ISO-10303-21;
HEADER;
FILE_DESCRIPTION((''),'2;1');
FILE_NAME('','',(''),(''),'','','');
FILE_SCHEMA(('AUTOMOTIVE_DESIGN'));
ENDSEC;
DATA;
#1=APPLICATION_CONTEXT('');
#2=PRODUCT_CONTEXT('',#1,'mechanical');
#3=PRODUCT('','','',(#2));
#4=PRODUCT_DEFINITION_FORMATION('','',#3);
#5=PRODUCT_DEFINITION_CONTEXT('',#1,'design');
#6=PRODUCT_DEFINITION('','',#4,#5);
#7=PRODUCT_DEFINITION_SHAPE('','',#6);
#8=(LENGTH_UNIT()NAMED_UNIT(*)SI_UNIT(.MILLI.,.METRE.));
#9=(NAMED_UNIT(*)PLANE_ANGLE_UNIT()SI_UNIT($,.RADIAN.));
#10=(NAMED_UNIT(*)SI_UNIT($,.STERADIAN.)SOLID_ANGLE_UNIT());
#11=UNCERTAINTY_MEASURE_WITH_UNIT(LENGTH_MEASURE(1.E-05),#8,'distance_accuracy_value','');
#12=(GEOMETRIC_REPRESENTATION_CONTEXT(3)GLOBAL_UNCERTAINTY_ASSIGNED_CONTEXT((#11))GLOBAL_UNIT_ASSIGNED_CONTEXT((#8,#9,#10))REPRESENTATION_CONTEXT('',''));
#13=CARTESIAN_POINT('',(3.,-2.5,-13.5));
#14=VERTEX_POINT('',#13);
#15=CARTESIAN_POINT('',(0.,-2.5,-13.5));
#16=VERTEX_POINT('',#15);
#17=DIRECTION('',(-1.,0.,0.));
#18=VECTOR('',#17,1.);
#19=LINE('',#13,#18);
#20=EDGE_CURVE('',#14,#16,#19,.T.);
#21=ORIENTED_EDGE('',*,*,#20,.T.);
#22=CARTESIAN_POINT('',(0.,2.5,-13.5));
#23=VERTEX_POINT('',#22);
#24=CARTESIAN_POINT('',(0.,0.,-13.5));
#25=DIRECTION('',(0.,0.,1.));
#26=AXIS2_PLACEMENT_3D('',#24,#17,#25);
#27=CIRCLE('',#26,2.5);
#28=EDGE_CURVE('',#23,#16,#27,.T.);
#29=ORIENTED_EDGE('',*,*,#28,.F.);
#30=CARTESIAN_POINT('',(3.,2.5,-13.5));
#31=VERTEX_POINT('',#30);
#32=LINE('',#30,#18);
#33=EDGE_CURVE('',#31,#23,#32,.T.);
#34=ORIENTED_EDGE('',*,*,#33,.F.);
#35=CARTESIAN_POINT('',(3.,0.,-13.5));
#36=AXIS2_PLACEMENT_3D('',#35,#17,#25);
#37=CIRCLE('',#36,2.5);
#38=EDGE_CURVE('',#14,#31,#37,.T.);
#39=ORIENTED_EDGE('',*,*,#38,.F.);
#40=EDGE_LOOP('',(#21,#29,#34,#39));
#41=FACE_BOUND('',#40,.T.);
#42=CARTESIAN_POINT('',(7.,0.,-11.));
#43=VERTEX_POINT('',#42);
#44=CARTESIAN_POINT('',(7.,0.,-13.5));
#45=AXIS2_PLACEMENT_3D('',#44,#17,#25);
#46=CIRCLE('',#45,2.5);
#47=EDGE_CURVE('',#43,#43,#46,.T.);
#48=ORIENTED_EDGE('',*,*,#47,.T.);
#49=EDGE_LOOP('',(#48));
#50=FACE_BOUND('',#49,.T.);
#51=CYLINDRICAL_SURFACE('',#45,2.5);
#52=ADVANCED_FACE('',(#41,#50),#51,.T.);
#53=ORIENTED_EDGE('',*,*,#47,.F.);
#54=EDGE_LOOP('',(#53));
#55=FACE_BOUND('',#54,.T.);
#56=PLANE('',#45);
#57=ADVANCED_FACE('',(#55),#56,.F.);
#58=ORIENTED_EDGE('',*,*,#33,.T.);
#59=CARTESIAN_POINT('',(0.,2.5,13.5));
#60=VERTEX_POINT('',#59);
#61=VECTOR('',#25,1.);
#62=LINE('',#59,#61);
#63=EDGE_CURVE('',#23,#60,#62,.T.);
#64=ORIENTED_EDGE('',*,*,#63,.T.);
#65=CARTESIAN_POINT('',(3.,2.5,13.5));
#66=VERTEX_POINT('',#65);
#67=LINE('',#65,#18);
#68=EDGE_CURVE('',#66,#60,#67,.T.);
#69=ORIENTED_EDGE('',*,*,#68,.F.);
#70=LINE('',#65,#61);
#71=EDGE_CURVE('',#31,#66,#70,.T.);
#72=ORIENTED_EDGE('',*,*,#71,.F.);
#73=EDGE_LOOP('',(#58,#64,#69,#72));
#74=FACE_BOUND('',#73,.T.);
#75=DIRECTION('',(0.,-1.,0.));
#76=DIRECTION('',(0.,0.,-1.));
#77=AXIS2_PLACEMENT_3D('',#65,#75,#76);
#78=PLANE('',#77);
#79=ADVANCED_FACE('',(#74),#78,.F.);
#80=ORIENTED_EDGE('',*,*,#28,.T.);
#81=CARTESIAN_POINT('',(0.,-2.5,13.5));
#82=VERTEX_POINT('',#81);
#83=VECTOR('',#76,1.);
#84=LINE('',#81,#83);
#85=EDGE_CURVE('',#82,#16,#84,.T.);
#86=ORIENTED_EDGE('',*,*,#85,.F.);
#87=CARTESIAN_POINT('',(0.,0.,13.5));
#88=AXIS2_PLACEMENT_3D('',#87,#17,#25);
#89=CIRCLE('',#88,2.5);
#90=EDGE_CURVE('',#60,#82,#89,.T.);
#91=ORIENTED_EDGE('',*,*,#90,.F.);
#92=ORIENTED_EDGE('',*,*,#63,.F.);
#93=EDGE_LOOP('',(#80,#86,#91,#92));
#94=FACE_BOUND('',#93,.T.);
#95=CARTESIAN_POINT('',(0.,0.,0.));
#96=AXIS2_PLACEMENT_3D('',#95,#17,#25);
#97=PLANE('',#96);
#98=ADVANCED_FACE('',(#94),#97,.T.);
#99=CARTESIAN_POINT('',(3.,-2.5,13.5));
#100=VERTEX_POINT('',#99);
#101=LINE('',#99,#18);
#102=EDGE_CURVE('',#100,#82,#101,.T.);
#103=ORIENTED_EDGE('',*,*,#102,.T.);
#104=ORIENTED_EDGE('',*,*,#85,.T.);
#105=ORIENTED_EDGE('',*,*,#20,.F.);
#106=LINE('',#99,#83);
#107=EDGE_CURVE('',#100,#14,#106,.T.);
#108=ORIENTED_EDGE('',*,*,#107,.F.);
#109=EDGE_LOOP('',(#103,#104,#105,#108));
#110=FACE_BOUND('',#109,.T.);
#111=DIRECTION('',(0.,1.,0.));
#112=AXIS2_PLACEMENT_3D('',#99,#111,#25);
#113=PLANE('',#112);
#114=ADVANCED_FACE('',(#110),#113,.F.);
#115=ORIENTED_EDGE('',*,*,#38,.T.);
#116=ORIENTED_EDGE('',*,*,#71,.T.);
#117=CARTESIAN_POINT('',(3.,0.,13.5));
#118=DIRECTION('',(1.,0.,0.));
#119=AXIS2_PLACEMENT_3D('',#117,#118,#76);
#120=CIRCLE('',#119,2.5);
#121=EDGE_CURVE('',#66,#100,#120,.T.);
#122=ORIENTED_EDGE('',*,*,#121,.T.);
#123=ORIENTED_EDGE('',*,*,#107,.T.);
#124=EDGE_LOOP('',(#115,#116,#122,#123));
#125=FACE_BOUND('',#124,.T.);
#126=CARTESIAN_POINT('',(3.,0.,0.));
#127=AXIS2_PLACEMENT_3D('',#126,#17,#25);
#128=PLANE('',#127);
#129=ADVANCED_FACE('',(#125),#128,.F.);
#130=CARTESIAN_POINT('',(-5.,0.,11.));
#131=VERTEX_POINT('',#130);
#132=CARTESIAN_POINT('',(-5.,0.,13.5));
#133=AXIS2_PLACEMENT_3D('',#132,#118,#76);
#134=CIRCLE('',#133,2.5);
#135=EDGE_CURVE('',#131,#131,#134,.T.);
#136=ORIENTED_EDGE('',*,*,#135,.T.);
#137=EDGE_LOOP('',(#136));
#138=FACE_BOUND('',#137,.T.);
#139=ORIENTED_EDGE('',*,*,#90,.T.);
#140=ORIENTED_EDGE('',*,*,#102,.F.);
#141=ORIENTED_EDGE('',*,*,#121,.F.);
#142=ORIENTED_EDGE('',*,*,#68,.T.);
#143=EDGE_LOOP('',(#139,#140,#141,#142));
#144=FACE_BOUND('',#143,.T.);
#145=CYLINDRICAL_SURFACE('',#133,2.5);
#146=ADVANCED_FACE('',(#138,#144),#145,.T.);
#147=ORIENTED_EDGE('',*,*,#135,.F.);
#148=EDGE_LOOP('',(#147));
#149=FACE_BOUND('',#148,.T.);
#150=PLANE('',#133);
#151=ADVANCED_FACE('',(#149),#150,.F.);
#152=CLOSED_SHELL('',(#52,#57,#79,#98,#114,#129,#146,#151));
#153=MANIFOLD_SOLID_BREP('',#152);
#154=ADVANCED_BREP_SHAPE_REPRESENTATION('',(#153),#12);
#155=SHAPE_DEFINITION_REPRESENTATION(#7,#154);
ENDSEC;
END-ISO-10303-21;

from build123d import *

# Parameters (mm, degrees)
SKETCH1_W           = 27
SKETCH1_H           = 5
BOSS_EXTRUDE1_DEPTH = 3
SKETCH2_R           = 2.5
BOSS_EXTRUDE2_DEPTH = 8
SKETCH3_R           = 2.5
BOSS_EXTRUDE3_DEPTH = 7


with BuildPart() as part:
    # Sketch1 → Boss-Extrude1 (new body)
    with BuildSketch(Plane(origin=(0, 0, 0), x_dir=(0, 0, -1), z_dir=(1, 0, 0))):
        Rectangle(SKETCH1_W, SKETCH1_H)
    extrude(amount=BOSS_EXTRUDE1_DEPTH)

    # Sketch2 → Boss-Extrude2 (add)
    with BuildSketch(Plane(origin=(3, 0, 0), x_dir=(0, 0, -1), z_dir=(1, 0, 0))):
        with Locations((-13.5, 0)):
            Circle(SKETCH2_R)
    extrude(amount=-BOSS_EXTRUDE2_DEPTH)

    # Sketch3 → Boss-Extrude3 (add)
    with BuildSketch(Plane.ZY):
        with Locations((-13.5, 0)):
            Circle(SKETCH3_R)
    extrude(amount=-BOSS_EXTRUDE3_DEPTH)


solid = part.part
